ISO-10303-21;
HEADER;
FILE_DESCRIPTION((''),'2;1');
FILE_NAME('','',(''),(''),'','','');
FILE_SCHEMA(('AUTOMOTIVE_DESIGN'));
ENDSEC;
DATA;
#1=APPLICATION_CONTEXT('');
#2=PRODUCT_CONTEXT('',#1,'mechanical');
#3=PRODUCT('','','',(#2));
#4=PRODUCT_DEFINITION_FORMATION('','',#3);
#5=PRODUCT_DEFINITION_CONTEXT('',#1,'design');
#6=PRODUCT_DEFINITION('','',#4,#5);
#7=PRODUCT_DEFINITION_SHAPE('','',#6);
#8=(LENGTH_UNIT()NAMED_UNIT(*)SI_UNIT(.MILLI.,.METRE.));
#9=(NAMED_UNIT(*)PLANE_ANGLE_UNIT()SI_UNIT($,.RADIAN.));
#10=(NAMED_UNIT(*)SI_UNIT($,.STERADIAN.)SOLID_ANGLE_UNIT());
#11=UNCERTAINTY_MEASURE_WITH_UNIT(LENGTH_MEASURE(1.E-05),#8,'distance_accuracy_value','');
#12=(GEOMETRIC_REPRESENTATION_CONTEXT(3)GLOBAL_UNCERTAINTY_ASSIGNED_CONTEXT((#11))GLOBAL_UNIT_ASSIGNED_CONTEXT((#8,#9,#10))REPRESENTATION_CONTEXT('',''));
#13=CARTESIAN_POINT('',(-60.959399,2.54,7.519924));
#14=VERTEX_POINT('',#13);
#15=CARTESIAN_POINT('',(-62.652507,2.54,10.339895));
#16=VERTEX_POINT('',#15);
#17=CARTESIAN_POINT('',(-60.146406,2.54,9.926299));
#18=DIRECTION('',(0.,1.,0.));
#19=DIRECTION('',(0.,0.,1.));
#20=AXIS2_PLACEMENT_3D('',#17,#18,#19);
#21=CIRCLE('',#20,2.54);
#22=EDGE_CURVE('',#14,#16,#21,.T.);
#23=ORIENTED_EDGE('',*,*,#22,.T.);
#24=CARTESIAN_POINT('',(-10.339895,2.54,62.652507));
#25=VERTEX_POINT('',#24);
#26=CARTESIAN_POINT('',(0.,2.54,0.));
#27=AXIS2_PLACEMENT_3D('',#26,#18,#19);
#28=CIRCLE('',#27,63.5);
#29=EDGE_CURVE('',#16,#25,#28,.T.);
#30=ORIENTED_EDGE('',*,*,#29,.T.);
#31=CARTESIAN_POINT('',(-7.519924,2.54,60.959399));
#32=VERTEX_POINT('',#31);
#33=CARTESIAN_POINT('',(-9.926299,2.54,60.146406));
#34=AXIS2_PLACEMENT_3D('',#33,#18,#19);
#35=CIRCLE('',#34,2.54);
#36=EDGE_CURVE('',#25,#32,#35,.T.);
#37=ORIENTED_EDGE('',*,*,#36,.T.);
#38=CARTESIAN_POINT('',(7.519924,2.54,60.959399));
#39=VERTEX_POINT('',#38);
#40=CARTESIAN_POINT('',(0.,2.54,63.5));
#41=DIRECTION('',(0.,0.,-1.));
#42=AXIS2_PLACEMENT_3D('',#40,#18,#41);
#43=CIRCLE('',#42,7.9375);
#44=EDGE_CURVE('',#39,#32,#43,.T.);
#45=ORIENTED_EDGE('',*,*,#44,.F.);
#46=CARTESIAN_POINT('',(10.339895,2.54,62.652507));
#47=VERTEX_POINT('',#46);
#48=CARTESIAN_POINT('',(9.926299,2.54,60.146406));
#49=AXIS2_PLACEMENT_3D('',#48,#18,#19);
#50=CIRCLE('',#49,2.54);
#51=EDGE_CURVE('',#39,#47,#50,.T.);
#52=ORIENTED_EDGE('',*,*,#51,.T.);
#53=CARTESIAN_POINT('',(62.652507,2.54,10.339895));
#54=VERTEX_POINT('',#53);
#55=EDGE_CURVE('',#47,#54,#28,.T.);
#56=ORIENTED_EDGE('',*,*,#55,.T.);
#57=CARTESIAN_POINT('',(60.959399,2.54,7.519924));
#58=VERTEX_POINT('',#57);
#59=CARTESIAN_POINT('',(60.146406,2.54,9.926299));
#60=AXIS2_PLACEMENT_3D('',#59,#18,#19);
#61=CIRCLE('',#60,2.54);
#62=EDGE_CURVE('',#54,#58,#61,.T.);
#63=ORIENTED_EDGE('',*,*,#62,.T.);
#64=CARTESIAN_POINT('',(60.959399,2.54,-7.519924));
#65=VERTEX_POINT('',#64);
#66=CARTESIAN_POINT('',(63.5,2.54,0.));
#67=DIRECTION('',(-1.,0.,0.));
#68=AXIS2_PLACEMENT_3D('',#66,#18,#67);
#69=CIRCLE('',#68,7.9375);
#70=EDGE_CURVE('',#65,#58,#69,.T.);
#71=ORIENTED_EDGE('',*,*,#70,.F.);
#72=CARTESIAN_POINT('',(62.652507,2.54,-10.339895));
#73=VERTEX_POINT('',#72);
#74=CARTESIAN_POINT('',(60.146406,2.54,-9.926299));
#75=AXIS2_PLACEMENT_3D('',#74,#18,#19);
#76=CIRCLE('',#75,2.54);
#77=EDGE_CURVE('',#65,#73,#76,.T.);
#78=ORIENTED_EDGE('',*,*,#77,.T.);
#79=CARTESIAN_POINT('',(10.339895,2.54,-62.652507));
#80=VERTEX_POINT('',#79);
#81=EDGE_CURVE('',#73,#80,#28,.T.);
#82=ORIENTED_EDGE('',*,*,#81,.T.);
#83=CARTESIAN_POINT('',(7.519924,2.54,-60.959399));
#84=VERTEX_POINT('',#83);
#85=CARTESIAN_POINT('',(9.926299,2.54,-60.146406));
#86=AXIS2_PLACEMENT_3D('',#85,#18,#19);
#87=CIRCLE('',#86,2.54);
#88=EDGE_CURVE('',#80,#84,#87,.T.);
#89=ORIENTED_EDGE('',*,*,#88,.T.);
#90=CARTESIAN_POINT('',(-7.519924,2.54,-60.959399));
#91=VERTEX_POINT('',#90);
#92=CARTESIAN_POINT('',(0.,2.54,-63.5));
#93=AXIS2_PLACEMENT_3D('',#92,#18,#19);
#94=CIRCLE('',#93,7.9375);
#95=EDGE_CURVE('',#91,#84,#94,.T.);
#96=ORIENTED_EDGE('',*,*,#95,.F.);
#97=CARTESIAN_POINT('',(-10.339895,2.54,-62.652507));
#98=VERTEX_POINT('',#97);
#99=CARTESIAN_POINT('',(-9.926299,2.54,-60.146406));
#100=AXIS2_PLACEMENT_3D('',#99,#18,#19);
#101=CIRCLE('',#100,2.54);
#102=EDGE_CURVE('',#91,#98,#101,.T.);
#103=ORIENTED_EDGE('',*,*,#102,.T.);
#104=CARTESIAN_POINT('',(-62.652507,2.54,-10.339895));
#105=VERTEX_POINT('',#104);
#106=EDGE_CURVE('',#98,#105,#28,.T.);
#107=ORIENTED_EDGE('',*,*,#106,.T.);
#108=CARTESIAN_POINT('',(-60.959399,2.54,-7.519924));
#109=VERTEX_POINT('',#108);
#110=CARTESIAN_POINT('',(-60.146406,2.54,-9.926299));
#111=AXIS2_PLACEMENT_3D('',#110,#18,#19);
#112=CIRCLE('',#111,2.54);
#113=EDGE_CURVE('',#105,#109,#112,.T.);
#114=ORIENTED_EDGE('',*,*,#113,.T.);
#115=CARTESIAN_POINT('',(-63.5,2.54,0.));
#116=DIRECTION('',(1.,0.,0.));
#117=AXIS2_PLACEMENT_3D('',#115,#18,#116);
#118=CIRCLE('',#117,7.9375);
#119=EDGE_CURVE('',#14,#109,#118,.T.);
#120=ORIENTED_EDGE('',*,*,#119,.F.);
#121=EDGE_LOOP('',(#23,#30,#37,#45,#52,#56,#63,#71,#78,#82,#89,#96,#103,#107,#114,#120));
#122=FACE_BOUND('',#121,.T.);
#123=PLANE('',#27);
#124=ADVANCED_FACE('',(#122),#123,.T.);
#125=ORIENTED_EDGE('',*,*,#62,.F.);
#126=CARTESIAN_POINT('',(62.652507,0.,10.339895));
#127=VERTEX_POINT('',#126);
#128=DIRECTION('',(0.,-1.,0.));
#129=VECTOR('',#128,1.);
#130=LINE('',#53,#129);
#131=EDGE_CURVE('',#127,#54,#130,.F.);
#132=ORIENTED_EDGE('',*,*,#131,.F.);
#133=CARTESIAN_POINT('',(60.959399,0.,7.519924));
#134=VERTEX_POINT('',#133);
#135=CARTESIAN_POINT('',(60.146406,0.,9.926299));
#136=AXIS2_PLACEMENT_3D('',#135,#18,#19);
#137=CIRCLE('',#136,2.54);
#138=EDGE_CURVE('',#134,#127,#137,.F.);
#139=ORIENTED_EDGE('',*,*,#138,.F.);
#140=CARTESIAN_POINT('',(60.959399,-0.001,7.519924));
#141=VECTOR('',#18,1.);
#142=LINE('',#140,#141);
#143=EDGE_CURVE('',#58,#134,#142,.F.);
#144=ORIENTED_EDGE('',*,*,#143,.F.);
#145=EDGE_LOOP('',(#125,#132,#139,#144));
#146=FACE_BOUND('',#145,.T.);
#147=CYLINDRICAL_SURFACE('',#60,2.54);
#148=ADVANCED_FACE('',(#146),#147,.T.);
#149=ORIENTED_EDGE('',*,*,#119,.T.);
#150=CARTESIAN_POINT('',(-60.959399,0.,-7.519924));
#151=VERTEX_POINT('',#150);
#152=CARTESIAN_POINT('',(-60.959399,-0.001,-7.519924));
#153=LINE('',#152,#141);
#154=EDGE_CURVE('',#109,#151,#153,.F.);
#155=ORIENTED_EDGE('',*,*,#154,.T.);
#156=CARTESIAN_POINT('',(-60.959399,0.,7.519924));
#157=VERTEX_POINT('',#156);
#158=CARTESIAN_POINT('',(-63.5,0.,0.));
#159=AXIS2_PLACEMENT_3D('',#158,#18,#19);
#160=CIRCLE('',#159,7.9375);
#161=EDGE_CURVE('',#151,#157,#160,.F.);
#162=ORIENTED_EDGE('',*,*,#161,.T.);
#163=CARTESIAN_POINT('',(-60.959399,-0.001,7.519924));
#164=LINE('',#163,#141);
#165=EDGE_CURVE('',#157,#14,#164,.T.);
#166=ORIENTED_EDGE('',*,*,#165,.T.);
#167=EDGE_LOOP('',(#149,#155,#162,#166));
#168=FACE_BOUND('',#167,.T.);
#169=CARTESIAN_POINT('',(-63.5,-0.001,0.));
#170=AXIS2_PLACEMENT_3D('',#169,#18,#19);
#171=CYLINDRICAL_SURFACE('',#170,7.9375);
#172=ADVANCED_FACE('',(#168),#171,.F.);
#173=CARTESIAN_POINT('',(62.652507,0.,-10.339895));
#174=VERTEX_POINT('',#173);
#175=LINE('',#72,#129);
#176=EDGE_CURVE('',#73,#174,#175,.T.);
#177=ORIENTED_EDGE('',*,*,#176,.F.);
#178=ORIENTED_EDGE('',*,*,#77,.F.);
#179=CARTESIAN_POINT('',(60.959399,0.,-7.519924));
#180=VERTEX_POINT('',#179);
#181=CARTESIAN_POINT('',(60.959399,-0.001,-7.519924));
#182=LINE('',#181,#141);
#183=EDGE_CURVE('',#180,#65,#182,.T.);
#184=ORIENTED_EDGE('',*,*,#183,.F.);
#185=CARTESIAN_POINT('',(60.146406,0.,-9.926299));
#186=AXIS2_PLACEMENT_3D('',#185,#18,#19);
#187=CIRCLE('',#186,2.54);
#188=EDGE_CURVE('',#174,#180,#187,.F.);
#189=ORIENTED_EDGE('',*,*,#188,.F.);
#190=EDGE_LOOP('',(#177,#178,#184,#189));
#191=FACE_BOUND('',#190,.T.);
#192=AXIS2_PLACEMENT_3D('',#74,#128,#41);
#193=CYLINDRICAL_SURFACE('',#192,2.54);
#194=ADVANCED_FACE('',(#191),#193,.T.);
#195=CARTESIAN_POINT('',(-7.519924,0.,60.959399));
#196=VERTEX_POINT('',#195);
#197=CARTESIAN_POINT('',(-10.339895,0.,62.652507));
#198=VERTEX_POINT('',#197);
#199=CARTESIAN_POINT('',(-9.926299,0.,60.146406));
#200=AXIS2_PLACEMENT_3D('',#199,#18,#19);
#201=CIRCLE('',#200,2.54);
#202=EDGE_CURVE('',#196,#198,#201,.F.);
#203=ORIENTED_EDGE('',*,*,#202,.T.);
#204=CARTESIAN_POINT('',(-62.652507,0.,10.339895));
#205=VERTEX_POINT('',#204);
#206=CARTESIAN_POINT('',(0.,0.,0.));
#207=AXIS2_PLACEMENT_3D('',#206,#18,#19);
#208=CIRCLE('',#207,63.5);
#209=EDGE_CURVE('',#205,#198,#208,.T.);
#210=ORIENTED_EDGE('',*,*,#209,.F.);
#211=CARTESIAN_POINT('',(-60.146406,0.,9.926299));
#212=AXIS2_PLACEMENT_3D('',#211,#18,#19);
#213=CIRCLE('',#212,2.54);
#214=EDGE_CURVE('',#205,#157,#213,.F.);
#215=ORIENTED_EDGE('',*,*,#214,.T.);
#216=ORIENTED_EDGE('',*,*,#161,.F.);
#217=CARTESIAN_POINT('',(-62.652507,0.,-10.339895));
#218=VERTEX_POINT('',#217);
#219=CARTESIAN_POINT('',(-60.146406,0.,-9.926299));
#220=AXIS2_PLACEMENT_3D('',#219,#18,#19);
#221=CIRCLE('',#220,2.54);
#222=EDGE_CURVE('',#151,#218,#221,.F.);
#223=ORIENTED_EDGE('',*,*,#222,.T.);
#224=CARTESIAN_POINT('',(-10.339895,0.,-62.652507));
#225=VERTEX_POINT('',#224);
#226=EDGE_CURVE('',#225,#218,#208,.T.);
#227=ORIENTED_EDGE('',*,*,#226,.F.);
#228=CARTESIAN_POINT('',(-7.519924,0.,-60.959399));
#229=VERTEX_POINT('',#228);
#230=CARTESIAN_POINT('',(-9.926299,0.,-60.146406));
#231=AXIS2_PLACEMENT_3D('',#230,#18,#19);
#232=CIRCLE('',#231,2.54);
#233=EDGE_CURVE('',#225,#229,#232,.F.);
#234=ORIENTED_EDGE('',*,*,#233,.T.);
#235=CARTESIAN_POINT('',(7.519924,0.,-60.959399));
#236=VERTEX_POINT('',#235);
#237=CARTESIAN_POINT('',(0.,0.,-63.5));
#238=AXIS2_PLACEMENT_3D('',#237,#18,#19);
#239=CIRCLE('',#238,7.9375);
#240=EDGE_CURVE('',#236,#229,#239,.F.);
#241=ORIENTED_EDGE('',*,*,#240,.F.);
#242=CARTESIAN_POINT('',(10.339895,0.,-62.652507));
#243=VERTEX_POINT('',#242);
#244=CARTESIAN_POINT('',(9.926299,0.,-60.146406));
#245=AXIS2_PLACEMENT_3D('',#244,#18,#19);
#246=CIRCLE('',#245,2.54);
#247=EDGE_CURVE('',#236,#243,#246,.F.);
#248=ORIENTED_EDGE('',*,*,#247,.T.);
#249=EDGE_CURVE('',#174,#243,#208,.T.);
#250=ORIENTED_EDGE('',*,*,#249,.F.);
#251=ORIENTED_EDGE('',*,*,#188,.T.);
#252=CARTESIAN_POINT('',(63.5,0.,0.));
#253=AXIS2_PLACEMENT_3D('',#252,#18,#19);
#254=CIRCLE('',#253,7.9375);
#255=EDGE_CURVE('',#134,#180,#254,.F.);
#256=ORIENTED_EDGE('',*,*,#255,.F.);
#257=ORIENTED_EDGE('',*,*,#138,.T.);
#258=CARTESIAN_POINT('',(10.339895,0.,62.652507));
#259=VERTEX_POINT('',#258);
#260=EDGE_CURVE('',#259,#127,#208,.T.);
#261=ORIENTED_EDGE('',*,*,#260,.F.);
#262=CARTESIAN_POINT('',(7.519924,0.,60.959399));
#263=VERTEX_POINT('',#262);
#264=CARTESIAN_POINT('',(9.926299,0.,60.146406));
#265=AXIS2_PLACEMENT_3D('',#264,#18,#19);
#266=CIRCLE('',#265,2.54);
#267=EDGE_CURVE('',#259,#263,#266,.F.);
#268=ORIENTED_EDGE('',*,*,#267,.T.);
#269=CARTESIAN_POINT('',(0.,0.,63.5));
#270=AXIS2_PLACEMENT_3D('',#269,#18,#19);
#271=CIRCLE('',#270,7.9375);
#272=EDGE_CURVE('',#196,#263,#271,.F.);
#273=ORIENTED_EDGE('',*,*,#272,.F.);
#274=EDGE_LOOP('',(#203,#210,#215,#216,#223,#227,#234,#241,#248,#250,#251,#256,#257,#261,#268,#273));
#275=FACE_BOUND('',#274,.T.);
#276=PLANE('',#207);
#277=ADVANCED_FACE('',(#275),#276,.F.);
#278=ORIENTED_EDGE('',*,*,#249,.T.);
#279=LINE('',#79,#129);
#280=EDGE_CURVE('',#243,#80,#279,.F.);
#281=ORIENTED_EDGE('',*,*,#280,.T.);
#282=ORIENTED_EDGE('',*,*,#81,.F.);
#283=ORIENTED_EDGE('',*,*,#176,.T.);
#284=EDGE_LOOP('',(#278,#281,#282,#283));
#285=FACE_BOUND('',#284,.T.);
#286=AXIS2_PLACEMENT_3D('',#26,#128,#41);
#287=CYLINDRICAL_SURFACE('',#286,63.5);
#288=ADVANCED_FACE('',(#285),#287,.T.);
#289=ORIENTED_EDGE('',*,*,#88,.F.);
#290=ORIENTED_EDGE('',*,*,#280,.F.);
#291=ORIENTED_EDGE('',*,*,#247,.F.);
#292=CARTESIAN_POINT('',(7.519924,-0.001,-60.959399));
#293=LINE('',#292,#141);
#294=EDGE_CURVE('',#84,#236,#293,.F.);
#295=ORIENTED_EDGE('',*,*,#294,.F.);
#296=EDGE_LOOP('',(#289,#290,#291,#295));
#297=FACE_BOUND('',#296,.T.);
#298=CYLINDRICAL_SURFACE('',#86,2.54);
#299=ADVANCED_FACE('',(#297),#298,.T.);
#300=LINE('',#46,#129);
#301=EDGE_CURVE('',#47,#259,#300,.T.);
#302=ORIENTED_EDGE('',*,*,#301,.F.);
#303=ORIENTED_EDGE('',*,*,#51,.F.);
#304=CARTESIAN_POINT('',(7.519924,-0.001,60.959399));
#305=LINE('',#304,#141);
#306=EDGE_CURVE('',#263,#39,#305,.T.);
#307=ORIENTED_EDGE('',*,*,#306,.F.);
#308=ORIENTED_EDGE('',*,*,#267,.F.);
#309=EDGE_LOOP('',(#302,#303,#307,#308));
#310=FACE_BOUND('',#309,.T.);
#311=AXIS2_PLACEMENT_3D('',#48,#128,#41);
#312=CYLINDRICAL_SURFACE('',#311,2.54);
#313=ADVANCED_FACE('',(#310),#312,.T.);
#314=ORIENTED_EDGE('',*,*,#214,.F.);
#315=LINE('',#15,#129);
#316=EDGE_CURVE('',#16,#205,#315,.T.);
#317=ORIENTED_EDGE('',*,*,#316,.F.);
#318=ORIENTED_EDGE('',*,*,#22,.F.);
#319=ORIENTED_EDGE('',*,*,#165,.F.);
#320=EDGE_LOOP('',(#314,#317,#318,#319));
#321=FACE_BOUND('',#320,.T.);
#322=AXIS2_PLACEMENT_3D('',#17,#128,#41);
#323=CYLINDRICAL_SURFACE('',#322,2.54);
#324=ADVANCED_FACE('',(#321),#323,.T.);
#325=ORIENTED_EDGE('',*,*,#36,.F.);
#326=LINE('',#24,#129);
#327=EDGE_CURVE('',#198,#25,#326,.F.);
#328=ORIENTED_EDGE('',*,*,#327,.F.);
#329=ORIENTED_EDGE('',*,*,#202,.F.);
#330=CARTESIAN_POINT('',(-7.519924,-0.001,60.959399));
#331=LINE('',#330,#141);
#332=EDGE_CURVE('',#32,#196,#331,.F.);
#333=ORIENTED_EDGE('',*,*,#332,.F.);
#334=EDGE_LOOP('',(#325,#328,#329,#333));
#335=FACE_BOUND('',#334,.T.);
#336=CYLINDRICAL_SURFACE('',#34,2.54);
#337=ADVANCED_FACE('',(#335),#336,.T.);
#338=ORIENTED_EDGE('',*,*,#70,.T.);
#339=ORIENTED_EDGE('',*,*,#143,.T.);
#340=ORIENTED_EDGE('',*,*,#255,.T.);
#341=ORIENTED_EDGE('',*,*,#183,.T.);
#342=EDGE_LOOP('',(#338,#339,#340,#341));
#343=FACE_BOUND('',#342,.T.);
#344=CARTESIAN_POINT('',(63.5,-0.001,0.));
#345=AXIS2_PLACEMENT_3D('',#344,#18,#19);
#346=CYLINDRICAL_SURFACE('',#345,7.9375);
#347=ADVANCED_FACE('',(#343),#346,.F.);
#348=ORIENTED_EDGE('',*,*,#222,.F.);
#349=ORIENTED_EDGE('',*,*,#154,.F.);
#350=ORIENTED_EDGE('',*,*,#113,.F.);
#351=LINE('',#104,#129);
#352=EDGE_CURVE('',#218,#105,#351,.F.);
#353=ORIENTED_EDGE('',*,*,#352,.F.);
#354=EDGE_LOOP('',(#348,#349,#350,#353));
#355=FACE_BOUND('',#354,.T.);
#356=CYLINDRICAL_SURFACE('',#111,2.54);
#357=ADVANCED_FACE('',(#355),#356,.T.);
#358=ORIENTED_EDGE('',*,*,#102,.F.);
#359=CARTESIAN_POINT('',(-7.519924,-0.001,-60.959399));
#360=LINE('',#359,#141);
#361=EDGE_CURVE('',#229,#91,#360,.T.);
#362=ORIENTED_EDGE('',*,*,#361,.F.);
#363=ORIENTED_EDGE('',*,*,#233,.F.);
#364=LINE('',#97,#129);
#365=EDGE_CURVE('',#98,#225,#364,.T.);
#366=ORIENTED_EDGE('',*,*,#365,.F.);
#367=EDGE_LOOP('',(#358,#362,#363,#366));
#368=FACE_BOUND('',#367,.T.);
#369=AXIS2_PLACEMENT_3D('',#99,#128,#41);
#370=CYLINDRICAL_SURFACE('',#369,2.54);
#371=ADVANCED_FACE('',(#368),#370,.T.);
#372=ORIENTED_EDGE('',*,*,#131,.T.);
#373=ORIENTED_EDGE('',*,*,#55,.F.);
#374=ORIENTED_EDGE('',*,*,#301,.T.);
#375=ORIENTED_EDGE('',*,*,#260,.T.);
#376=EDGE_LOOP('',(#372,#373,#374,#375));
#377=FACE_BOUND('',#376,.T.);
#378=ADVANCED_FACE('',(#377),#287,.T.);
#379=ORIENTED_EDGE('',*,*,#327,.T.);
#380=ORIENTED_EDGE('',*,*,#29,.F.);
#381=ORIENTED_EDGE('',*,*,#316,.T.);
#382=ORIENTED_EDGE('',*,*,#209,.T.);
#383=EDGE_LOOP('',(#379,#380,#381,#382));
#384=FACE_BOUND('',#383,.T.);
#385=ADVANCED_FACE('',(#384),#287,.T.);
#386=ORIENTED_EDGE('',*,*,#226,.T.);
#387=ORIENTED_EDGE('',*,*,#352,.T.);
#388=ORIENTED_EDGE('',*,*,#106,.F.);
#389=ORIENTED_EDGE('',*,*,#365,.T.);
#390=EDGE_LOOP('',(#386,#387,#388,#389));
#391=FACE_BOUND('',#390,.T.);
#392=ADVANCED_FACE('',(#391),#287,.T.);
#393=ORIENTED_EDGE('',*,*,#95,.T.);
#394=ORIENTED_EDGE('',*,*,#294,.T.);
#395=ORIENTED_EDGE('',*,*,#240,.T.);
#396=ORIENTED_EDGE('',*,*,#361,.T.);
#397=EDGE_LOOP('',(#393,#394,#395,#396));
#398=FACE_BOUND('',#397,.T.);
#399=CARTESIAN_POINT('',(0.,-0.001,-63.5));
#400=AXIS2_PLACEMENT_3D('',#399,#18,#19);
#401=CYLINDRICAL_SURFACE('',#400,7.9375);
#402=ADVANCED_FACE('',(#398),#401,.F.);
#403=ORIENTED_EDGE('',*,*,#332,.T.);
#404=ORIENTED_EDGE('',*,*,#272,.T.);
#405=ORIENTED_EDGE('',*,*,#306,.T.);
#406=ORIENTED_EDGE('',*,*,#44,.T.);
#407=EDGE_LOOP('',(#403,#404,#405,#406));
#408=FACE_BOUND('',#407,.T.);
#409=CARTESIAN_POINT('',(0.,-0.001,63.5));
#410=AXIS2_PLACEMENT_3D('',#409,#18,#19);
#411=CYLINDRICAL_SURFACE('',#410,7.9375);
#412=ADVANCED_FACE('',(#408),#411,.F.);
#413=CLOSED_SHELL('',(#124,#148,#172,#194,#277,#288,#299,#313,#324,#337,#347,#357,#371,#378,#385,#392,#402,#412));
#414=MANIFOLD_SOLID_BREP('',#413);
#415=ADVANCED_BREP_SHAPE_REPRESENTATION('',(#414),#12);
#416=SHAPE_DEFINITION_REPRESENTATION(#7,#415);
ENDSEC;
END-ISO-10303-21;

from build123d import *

# Parameters (mm, degrees)
SKETCH3_R                = 63.5
BOSS_EXTRUDE1_DEPTH      = 2.54
CUT_EXTRUDE1_REACH       = 91.838
SKETCH4_R                = 7.9375
FILLET1_R                = 2.54
CIRPATTERN1_COUNT        = 4
FILLET1_OF_CIRPATTERN1_R = 2.54


with BuildPart() as part:
    # Sketch3 → Boss-Extrude1 (new body)
    with BuildSketch(Plane(origin=(0, 0, 0), x_dir=(1, 0, 0), z_dir=(0, 1, 0))):
        with Locations(Location((0, 0, 0), (0, 0, 270))):
            Circle(SKETCH3_R)
    extrude(amount=BOSS_EXTRUDE1_DEPTH)

    # Sketch4 → Cut-Extrude1 (cut, up to next)
    with BuildSketch(Plane(origin=(0, 2.54, 0), x_dir=(1, 0, 0), z_dir=(0, 1, 0)), mode=Mode.PRIVATE) as cut_extrude1_sk1:
        with Locations((0, 63.5)):
            Circle(SKETCH4_R)
    cut_extrude1_tool1 = extrude(cut_extrude1_sk1.sketch, amount=-CUT_EXTRUDE1_REACH, mode=Mode.PRIVATE) & part.part
    cut_extrude1 = cut_extrude1_tool1.solids().sort_by_distance((0, 2.54, -63.5))[0]
    add(cut_extrude1, mode=Mode.SUBTRACT)

    # Fillet1
    fillet1_edges = [part.edges().sort_by_distance(p)[0] for p in [
        (7.921981901, 1.27, -63.00390625),
        (-7.921981901, 1.27, -63.00390625),
    ]]
    fillet(fillet1_edges, radius=FILLET1_R)

    # CirPattern1: Cut-Extrude1 ×4 about axis
    cirpattern1_axis = Axis((0, 0, 0), (0, 1, 0))
    for i in range(1, CIRPATTERN1_COUNT):
        add(cut_extrude1.rotate(cirpattern1_axis, i * 360 / CIRPATTERN1_COUNT), mode=Mode.SUBTRACT)

    # Fillet1 of CirPattern1
    fillet1_of_cirpattern1_edges = [part.edges().sort_by_distance(p)[0] for p in [
        (-63.00390625, 1.27, -7.921981901),
        (-63.00390625, 1.27, 7.921981901),
        (-7.921981901, 1.27, 63.00390625),
        (7.921981901, 1.27, 63.00390625),
        (63.00390625, 1.27, 7.921981901),
        (63.00390625, 1.27, -7.921981901),
    ]]
    fillet(fillet1_of_cirpattern1_edges, radius=FILLET1_OF_CIRPATTERN1_R)


solid = part.part
